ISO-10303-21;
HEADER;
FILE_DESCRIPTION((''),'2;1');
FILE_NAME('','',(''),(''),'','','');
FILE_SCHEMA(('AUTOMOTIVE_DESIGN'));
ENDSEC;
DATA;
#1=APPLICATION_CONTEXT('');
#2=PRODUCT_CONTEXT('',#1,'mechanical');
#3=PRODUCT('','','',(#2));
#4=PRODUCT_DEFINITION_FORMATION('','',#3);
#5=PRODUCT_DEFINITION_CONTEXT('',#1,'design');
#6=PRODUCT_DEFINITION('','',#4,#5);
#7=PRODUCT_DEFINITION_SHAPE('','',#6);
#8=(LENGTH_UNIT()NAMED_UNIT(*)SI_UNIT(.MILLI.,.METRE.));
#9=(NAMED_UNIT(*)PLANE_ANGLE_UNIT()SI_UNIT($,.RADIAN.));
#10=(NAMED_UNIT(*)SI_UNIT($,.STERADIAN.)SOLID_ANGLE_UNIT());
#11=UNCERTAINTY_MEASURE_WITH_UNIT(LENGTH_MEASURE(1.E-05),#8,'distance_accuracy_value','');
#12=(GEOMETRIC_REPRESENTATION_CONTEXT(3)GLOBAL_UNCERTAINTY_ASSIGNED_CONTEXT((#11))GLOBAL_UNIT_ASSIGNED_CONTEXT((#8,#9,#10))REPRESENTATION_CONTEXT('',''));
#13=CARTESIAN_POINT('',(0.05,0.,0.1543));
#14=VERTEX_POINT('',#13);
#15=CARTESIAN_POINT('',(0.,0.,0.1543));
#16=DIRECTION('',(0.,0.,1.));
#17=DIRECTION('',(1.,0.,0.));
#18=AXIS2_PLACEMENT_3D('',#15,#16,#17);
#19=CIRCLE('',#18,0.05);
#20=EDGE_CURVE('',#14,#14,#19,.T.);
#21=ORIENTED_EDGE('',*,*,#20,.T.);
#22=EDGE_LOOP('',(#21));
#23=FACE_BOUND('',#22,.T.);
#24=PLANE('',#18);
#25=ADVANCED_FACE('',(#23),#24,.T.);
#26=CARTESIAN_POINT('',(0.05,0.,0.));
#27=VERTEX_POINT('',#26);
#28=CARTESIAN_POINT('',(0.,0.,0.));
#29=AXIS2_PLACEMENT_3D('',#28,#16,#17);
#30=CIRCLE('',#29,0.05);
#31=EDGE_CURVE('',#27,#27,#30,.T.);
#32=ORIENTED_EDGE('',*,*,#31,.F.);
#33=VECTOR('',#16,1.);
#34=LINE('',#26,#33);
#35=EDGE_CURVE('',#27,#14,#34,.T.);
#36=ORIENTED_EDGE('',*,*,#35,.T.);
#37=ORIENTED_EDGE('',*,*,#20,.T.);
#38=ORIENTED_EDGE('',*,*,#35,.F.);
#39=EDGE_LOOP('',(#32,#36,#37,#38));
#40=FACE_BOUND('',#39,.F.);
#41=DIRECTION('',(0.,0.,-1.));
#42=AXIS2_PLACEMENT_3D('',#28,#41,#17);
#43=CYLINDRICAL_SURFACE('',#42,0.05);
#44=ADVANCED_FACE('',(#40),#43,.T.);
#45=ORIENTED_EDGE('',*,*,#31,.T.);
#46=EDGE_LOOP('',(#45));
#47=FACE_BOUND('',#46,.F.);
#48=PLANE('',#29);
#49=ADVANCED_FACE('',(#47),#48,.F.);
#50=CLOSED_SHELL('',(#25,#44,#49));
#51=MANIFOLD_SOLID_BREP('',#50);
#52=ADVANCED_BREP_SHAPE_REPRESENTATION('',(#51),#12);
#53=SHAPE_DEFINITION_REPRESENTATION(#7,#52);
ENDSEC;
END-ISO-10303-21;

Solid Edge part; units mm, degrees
sketch "Sketch1" plane through (0, 0, 0) normal (0, 0, 1) x (1, 0, 0)
  circle A0 centre (0, 0) radius 0.05
  dimension "D1" = 0.1
extrude "Protrusion1" add sketch "Sketch1" along normal blind 0.1543
